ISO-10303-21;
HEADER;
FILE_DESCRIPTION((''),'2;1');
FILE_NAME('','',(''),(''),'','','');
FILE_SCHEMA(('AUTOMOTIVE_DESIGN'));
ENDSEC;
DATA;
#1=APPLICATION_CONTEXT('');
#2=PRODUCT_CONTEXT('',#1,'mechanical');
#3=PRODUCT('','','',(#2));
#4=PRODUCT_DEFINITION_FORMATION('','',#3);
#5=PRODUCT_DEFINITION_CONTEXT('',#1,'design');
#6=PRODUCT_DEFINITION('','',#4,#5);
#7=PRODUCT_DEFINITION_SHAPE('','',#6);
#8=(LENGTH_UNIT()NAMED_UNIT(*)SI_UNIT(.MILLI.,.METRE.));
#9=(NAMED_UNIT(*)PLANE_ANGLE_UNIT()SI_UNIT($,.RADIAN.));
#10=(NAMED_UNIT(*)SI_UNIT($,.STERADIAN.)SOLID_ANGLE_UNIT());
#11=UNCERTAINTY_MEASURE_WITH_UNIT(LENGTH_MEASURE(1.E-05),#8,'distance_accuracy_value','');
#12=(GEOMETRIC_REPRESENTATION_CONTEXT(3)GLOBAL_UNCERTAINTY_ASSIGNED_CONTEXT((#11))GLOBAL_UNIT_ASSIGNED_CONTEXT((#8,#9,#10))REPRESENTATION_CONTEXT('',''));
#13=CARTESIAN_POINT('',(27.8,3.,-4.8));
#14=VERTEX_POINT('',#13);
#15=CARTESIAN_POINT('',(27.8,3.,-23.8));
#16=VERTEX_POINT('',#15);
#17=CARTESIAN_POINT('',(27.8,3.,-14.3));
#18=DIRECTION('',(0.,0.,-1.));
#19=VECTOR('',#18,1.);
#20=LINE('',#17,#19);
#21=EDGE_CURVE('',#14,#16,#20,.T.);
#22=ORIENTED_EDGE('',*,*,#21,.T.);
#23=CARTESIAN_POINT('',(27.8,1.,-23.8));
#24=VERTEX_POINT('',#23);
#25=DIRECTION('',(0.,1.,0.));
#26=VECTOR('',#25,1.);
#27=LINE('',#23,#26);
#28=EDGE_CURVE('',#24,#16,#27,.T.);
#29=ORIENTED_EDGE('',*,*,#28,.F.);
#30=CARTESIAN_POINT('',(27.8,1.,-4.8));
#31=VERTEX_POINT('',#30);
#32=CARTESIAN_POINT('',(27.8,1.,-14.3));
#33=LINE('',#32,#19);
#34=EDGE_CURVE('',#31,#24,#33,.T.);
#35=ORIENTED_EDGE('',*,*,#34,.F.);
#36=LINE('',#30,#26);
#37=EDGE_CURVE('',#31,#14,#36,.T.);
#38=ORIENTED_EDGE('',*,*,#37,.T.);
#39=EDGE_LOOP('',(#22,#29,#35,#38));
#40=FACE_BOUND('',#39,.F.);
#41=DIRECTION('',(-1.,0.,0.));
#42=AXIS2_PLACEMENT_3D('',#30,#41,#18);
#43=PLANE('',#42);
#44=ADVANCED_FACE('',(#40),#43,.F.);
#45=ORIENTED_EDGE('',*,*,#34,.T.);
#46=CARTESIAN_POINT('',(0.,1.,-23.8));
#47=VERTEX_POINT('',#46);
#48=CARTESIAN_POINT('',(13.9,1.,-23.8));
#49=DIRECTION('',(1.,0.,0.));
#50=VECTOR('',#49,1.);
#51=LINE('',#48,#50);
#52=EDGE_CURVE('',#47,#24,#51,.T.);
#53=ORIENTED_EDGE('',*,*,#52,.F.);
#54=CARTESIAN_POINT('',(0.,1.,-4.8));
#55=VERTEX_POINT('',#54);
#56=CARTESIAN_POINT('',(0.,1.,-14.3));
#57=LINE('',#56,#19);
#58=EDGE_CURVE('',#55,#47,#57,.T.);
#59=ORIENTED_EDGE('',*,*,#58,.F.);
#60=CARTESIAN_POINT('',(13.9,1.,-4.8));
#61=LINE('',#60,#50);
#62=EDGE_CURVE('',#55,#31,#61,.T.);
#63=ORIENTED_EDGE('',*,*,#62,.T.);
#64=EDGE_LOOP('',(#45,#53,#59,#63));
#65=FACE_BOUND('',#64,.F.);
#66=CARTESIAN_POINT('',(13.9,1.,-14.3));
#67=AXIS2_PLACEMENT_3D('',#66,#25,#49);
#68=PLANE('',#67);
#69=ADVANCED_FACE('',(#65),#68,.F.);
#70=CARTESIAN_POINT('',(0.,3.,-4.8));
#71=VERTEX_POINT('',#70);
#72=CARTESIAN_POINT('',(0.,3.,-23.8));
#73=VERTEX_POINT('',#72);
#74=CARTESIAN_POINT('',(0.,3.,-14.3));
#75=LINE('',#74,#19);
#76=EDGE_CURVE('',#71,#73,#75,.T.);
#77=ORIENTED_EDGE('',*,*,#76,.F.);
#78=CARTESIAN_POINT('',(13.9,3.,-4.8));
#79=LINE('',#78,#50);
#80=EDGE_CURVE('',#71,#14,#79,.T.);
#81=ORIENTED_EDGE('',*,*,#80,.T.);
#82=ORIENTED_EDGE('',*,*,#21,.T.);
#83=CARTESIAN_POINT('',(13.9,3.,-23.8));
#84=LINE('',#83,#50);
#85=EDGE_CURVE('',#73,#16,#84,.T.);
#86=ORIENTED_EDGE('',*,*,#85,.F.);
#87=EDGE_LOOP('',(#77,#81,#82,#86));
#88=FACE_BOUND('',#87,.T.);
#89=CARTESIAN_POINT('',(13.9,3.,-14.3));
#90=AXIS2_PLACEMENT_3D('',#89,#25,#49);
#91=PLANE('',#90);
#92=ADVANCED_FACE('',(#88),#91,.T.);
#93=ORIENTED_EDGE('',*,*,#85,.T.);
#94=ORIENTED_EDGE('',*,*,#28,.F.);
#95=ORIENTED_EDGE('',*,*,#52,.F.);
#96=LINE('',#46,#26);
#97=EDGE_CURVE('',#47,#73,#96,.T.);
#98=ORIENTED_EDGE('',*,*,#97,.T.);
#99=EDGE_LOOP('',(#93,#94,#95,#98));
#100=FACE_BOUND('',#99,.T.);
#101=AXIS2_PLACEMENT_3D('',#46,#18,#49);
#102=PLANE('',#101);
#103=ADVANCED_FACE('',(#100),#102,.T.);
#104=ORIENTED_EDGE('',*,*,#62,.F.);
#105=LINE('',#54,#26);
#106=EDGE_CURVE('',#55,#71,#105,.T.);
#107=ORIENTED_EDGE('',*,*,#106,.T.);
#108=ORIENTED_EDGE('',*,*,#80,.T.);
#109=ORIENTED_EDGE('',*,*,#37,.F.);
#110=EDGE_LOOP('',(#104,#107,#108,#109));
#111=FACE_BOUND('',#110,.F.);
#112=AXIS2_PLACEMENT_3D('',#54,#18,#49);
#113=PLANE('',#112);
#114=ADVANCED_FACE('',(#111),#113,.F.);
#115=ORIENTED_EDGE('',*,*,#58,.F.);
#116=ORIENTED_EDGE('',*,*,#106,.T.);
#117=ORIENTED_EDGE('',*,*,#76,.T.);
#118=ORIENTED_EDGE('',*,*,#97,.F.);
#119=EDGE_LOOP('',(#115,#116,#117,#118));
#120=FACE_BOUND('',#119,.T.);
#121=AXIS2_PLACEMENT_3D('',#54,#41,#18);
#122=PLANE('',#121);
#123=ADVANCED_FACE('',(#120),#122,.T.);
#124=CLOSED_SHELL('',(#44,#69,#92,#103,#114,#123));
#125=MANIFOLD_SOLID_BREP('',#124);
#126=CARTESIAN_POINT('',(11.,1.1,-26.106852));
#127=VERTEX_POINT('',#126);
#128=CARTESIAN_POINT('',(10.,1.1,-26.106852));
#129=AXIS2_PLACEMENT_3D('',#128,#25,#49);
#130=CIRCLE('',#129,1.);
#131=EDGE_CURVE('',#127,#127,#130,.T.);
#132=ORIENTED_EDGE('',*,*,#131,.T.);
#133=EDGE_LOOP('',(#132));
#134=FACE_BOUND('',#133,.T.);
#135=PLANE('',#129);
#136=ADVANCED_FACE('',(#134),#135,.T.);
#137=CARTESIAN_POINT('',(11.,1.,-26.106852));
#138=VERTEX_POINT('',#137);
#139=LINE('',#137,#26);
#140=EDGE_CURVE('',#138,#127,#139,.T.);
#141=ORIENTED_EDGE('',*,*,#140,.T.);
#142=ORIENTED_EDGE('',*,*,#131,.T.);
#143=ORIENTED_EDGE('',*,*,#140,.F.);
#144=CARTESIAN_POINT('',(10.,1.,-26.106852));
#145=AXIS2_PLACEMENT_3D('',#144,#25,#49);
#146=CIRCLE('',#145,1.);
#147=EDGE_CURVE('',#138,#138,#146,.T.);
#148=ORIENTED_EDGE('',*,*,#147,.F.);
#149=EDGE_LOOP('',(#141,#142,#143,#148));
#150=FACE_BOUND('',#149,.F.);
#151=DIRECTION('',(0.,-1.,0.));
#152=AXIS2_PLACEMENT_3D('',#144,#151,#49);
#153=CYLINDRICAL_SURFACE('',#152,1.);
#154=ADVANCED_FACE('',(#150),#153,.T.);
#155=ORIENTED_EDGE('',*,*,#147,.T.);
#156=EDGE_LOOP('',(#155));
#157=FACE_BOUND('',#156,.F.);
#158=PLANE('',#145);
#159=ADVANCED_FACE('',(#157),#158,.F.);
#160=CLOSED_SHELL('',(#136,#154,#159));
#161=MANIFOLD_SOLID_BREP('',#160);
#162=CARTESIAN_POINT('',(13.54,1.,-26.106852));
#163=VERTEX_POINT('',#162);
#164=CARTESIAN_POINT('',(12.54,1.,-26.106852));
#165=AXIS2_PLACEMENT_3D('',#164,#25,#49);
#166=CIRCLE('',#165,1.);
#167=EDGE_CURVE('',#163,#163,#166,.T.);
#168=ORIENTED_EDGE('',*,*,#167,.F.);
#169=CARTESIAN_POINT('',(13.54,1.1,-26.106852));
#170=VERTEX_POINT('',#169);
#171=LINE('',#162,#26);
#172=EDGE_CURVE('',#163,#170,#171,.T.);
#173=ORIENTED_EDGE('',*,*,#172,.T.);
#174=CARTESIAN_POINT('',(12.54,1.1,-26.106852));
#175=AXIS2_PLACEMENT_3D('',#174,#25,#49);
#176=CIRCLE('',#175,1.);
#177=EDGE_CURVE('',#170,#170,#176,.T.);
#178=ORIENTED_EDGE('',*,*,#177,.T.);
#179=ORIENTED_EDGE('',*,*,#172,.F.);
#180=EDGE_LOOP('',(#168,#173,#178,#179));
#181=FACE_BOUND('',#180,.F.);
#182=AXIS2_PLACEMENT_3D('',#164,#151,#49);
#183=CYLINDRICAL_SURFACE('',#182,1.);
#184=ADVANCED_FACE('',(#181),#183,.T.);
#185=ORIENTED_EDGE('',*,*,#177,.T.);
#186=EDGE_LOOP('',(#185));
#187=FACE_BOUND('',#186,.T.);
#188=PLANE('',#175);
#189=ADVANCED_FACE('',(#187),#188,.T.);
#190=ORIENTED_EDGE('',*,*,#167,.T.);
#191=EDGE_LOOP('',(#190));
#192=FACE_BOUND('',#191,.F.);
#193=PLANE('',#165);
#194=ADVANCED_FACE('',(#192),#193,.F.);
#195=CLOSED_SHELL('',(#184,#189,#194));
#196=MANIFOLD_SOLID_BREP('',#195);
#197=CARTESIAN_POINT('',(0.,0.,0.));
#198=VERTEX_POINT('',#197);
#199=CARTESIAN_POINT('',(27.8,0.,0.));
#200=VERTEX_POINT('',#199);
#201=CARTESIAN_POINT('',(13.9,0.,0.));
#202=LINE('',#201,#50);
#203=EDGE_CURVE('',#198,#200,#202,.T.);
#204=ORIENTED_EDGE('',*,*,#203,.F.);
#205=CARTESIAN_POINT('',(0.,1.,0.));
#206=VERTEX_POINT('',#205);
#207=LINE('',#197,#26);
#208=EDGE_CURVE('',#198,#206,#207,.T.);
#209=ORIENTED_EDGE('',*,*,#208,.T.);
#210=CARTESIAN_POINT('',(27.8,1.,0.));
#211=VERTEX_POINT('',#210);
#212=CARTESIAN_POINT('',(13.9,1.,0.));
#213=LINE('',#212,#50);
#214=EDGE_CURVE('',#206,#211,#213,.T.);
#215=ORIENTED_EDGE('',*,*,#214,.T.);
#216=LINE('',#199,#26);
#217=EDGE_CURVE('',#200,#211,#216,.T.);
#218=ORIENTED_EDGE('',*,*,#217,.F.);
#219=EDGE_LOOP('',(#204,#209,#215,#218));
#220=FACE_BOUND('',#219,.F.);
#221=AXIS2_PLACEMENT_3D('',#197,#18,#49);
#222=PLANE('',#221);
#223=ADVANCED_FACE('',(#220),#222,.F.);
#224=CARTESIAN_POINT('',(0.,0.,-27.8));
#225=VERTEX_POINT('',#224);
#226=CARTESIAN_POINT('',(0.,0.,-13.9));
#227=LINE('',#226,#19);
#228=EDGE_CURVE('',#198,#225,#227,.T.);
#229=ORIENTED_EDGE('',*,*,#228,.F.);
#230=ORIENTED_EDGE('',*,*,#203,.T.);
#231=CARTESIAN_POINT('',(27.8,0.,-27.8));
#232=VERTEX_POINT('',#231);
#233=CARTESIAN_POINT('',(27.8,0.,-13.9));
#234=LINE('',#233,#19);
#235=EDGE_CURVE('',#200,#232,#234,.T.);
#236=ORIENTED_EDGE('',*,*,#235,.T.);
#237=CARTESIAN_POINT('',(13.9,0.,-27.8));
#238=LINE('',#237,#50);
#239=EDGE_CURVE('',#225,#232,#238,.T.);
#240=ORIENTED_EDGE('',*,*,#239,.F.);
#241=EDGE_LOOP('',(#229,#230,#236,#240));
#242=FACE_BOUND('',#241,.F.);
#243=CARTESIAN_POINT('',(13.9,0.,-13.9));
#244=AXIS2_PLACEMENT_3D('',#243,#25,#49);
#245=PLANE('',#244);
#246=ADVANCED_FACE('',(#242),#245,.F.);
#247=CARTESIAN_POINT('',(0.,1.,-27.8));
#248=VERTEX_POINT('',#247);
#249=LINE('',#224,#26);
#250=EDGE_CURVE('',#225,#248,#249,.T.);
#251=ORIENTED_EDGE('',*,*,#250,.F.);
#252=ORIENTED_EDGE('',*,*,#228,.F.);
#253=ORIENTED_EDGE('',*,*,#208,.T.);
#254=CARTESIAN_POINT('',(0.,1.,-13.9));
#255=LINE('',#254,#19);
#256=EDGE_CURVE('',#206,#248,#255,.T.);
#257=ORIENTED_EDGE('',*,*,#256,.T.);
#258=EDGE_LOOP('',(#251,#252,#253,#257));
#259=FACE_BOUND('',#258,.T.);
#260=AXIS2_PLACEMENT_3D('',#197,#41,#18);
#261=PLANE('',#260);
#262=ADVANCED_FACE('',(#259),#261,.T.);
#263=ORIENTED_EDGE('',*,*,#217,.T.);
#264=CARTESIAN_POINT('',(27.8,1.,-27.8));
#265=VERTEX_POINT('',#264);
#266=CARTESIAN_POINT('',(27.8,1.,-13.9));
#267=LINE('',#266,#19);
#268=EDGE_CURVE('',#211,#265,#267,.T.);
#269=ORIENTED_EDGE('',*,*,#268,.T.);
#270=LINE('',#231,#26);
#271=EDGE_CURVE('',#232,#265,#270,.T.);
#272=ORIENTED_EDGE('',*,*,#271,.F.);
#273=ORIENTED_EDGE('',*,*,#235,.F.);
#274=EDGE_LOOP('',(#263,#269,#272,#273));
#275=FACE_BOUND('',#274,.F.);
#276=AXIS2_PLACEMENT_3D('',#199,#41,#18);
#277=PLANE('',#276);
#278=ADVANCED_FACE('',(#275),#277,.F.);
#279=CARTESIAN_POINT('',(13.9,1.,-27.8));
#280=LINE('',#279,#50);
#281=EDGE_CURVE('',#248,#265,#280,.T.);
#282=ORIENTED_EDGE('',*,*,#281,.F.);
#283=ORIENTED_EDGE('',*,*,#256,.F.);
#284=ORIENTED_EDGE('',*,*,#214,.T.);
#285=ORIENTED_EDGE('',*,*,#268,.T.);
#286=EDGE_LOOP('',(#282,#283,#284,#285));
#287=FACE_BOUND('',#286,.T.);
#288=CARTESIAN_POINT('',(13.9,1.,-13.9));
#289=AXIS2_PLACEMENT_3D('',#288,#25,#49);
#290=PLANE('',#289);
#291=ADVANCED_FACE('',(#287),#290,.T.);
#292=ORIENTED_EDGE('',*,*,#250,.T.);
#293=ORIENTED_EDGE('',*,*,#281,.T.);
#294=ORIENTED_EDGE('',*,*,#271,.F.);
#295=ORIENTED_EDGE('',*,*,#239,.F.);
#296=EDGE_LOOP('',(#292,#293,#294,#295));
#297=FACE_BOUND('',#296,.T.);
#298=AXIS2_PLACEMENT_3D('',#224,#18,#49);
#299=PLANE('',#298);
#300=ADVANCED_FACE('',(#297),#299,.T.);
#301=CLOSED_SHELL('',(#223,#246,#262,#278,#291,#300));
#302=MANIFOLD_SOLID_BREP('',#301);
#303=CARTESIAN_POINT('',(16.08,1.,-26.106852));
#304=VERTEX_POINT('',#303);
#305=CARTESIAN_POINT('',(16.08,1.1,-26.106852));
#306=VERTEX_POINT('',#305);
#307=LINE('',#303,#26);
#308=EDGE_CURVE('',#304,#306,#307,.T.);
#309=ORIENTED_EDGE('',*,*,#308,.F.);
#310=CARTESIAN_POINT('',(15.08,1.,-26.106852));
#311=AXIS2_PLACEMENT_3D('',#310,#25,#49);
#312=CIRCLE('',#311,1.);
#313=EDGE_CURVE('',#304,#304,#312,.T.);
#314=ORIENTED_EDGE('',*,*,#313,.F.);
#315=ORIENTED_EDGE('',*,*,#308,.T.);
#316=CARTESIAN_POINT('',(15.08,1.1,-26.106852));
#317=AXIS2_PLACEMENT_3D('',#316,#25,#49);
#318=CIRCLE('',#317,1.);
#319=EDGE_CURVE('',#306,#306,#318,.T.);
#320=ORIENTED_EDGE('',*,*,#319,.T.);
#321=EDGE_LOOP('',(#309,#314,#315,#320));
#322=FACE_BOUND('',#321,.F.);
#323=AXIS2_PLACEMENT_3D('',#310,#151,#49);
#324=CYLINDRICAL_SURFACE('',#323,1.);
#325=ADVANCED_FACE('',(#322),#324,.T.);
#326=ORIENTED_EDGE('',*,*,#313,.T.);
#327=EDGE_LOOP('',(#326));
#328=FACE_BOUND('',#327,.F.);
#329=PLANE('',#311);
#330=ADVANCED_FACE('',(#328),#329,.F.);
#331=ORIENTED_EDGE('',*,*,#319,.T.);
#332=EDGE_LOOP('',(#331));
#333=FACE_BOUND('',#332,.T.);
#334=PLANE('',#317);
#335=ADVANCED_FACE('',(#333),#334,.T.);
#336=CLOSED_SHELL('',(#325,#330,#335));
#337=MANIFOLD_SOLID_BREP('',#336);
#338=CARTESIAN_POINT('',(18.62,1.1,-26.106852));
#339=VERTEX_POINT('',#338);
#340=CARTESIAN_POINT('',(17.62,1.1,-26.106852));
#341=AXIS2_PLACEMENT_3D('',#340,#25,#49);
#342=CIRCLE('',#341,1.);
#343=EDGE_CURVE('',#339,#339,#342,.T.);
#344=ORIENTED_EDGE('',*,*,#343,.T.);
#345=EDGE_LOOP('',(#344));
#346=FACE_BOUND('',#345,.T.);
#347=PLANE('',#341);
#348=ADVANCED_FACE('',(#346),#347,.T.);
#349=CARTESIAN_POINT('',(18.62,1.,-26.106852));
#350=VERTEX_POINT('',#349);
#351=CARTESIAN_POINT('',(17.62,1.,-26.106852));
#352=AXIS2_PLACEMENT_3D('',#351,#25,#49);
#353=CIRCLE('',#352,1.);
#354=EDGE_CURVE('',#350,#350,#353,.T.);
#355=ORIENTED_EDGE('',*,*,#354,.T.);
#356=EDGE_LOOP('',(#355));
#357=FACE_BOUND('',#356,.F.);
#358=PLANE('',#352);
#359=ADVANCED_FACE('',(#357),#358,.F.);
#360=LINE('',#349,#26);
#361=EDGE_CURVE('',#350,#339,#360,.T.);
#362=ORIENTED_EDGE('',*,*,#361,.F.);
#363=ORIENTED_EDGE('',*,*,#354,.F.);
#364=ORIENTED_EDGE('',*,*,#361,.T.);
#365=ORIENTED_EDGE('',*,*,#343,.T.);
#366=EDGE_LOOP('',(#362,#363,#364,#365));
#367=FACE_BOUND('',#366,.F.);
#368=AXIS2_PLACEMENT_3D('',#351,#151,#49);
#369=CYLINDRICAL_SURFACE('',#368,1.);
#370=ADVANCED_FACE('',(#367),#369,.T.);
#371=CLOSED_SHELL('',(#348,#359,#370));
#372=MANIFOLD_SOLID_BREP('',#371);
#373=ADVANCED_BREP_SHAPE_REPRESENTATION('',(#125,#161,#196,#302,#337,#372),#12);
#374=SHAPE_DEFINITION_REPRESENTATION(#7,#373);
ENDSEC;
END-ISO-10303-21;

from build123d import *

# Parameters (mm, degrees)
SKETCH1_W             = 27.8
SKETCH1_H             = 27.8
BOSS_EXTRUDE1_DEPTH   = 1
SKETCH2_W             = 27.8
SKETCH2_H             = 19
BOSS_EXTRUDE2_DEPTH   = 2
SKETCH3_R             = 1
BOSS_EXTRUDE3_DEPTH   = 0.1
BOSS_EXTRUDE3_2_DEPTH = 0.1
BOSS_EXTRUDE3_3_DEPTH = 0.1
BOSS_EXTRUDE3_4_DEPTH = 0.1


with BuildPart() as part:
    # Sketch1 → Boss-Extrude1 (new body)
    with BuildSketch(Plane(origin=(0, 0, 0), x_dir=(1, 0, 0), z_dir=(0, 1, 0))):
        with Locations((13.9, 13.9)):
            Rectangle(SKETCH1_W, SKETCH1_H)
    extrude(amount=BOSS_EXTRUDE1_DEPTH)


with BuildPart() as body_2:
    # Sketch2 → Boss-Extrude2 (new body)
    with BuildSketch(Plane(origin=(0, 1, 0), x_dir=(1, 0, 0), z_dir=(0, 1, 0))):
        with Locations((13.9, 14.3)):
            Rectangle(SKETCH2_W, SKETCH2_H)
    extrude(amount=BOSS_EXTRUDE2_DEPTH)


with BuildPart() as body_3:
    # Sketch3 → Boss-Extrude3 (new body)
    with BuildSketch(Plane(origin=(0, 1, 0), x_dir=(1, 0, 0), z_dir=(0, 1, 0))):
        with Locations((10, 26.10685226)):
            Circle(SKETCH3_R)
    extrude(amount=BOSS_EXTRUDE3_DEPTH)


with BuildPart() as body_4:
    # Sketch3 → Boss-Extrude3 2 (new body)
    with BuildSketch(Plane(origin=(0, 1, 0), x_dir=(1, 0, 0), z_dir=(0, 1, 0))):
        with Locations((12.54, 26.10685226)):
            Circle(SKETCH3_R)
    extrude(amount=BOSS_EXTRUDE3_2_DEPTH)


with BuildPart() as body_5:
    # Sketch3 → Boss-Extrude3 3 (new body)
    with BuildSketch(Plane(origin=(0, 1, 0), x_dir=(1, 0, 0), z_dir=(0, 1, 0))):
        with Locations((15.08, 26.10685226)):
            Circle(SKETCH3_R)
    extrude(amount=BOSS_EXTRUDE3_3_DEPTH)


with BuildPart() as body_6:
    # Sketch3 → Boss-Extrude3 4 (new body)
    with BuildSketch(Plane(origin=(0, 1, 0), x_dir=(1, 0, 0), z_dir=(0, 1, 0))):
        with Locations((17.62, 26.10685226)):
            Circle(SKETCH3_R)
    extrude(amount=BOSS_EXTRUDE3_4_DEPTH)


solid = Compound([part.part, body_2.part, body_3.part, body_4.part, body_5.part, body_6.part])
